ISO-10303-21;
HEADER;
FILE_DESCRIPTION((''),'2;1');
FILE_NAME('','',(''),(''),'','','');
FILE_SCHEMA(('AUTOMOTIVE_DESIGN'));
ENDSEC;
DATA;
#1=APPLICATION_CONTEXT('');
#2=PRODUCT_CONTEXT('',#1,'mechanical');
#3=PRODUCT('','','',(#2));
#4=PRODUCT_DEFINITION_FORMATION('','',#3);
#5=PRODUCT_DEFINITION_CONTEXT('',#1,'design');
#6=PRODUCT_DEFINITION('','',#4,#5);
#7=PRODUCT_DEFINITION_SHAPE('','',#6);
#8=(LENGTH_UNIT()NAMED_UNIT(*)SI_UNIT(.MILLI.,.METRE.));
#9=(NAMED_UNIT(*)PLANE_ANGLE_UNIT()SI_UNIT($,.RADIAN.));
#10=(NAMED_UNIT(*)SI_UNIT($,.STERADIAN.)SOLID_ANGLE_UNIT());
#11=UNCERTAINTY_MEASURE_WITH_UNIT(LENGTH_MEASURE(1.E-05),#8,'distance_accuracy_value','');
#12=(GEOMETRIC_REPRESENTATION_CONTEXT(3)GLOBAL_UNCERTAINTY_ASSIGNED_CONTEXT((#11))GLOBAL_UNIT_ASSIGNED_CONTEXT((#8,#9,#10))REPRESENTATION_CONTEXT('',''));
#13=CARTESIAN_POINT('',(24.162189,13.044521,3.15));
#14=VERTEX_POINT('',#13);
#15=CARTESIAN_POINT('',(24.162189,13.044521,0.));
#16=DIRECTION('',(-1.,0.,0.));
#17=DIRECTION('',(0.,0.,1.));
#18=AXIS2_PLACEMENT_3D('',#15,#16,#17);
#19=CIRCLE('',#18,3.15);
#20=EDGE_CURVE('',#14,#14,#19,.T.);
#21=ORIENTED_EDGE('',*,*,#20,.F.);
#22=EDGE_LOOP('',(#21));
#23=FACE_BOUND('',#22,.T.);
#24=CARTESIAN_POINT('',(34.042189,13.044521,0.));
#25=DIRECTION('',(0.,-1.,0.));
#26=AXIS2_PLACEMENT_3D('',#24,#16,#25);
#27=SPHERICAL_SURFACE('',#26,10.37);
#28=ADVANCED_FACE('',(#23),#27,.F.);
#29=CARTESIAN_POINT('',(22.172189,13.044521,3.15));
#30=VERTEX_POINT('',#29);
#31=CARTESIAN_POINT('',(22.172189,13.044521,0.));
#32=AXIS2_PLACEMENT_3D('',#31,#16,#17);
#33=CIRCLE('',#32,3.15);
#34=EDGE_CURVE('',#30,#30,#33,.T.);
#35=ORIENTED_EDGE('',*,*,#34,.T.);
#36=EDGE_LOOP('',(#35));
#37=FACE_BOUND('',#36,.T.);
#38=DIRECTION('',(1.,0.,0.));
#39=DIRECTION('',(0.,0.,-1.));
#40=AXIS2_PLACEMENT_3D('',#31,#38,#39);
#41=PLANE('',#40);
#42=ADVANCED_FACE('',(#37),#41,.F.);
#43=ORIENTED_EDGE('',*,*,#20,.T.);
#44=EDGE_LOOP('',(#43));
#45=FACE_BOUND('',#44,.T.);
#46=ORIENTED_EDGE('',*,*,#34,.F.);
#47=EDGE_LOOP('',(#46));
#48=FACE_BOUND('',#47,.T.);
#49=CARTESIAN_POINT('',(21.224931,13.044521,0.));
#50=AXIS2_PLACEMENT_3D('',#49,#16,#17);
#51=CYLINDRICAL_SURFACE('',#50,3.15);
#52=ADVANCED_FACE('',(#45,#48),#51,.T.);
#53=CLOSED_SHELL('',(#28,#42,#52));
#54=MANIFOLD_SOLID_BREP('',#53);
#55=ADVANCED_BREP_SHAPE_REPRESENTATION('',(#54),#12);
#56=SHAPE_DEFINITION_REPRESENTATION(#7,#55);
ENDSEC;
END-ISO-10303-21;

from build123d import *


with BuildPart() as part:
    # 草图1 → 旋转1 (revolve)
    with BuildSketch(Plane.XY, mode=Mode.PRIVATE) as revolve_1_sk:
        with BuildLine():
            Line((22.172189475, 13.044520575), (22.172189475, 16.194520575))
            Line((22.172189475, 16.194520575), (24.162189475, 16.194520575))
            ThreePointArc((24.162189475, 16.194520575), (23.795421692, 14.63846223), (23.672189475, 13.044520575))
            Line((23.672189475, 13.044520575), (22.172189475, 13.044520575))
        make_face()
    revolve(revolve_1_sk.sketch.rotate(Axis((21.224930557, 13.044520575, 0), (1, 0, 0)), 180), axis=Axis((21.224930557, 13.044520575, 0), (1, 0, 0)))  # turned: the seam where the file's is


solid = part.part
